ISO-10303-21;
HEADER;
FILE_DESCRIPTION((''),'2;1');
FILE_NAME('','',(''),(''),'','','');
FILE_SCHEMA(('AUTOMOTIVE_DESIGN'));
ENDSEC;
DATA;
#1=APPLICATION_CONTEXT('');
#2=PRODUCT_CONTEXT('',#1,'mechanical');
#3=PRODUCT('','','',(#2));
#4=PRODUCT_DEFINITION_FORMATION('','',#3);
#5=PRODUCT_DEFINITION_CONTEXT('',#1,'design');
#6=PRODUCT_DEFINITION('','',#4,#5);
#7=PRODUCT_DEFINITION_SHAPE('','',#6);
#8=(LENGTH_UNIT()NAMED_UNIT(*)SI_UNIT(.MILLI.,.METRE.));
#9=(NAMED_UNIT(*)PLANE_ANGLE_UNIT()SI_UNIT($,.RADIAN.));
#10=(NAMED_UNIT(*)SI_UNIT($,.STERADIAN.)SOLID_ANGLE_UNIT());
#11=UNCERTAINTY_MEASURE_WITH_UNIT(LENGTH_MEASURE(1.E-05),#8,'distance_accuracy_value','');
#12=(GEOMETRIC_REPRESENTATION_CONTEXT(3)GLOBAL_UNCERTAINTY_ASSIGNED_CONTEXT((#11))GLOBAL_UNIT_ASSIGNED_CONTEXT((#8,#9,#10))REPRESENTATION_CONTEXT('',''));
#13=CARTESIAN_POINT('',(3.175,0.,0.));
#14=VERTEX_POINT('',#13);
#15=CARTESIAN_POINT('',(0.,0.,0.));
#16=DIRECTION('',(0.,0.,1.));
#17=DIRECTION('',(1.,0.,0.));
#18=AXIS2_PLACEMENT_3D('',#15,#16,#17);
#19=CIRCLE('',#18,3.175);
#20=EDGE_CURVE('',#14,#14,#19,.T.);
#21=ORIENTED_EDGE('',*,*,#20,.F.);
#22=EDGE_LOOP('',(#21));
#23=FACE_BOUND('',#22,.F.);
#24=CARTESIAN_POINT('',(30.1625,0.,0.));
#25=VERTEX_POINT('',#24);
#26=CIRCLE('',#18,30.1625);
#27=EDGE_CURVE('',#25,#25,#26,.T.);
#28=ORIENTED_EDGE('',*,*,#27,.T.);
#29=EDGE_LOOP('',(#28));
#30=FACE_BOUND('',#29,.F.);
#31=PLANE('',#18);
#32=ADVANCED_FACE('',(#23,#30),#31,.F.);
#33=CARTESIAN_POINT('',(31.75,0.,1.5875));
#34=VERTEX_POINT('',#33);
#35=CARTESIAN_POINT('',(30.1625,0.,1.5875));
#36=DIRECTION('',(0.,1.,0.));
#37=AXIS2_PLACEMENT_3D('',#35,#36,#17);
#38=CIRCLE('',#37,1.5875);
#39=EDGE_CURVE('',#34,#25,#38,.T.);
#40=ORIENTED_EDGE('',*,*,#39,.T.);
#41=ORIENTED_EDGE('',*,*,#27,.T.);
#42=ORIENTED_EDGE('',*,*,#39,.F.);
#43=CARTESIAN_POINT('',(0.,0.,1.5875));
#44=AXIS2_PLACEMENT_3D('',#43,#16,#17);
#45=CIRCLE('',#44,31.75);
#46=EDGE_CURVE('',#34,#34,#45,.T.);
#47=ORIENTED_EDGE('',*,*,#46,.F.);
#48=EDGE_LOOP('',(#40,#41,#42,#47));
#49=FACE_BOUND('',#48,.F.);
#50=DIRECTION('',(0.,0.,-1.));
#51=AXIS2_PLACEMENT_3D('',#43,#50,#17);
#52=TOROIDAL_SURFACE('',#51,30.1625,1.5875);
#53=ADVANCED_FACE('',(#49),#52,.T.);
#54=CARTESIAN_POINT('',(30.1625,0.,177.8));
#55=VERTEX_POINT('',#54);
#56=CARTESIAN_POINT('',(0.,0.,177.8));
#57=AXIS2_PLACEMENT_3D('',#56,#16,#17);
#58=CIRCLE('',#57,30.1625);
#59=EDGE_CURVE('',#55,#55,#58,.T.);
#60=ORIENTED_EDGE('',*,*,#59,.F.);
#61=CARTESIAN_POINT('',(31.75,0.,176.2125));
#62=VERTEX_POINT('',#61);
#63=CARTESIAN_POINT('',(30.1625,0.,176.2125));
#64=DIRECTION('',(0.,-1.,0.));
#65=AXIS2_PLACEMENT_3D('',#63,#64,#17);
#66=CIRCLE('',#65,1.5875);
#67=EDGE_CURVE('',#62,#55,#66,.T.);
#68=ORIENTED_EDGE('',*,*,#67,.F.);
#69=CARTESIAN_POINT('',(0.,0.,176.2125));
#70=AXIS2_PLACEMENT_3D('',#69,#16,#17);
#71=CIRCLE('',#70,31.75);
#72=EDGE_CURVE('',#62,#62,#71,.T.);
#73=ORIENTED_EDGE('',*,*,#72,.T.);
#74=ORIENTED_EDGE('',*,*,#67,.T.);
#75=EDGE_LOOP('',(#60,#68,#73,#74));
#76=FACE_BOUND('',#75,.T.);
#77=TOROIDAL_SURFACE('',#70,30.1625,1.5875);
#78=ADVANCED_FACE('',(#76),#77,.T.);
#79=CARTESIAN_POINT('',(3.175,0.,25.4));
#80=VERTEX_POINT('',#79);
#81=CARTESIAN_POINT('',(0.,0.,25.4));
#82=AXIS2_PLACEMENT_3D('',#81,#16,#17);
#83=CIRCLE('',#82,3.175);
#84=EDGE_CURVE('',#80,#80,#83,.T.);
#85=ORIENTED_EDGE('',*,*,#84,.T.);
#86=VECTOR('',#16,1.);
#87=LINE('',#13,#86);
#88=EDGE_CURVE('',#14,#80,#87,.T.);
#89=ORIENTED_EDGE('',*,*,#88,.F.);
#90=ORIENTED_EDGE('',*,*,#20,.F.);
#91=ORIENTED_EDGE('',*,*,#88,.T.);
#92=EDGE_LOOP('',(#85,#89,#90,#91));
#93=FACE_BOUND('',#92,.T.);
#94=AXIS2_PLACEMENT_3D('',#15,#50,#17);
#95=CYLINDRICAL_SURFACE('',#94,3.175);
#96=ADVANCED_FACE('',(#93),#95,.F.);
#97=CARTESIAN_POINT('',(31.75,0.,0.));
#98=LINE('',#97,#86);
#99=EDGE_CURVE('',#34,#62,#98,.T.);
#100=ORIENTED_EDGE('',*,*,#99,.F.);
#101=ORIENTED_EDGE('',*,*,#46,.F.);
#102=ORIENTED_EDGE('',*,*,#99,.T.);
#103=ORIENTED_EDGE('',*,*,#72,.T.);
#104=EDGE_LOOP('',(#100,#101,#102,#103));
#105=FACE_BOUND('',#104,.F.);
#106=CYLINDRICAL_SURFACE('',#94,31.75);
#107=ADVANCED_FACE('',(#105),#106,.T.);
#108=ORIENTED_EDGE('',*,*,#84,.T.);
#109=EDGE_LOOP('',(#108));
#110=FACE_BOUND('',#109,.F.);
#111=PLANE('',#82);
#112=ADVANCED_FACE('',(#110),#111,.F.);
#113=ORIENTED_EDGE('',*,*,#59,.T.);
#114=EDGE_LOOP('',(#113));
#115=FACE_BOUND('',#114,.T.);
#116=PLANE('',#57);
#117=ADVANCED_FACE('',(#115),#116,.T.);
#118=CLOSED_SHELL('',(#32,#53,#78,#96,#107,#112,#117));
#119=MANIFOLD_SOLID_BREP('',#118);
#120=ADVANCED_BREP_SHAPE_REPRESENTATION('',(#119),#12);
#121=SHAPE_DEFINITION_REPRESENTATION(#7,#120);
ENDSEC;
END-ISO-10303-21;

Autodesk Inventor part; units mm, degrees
ref_plane "YZ Plane" through (0, 0, 0) normal (1, 0, 0) x (0, 1, 0)
ref_plane "XZ Plane" through (0, 0, 0) normal (0, 1, 0) x (-1, 0, 0)
ref_plane "XY Plane" through (0, 0, 0) normal (0, 0, 1) x (1, 0, 0)
sketch "Sketch1" plane through (0, 0, 0) normal (0, 0, 1) x (1, 0, 0)
  circle A0 centre (0, 0) radius 31.75
  circle A1 centre (0, 0) radius 3.175
  dimension "d0" = 63.5
  dimension "d3" = 6.35
extrude "Extrusion1" add sketch "Sketch1" along normal blind 177.8 contours A0 | A1
extrude "Extrusion2" cut sketch "Sketch1" along normal blind 25.4 contours A1
thread "Thread1" size "1/4-20 UNC" class "2B" standard "ANSI Unified Screw Threads" full length
fillet "Fillet1" radius 1.5875 2 edges at (-31.75, 0, 177.8) (-31.75, 0, 0)
properties part number "Climber Extra Weight Cylinder" material "Aluminum 6061"
